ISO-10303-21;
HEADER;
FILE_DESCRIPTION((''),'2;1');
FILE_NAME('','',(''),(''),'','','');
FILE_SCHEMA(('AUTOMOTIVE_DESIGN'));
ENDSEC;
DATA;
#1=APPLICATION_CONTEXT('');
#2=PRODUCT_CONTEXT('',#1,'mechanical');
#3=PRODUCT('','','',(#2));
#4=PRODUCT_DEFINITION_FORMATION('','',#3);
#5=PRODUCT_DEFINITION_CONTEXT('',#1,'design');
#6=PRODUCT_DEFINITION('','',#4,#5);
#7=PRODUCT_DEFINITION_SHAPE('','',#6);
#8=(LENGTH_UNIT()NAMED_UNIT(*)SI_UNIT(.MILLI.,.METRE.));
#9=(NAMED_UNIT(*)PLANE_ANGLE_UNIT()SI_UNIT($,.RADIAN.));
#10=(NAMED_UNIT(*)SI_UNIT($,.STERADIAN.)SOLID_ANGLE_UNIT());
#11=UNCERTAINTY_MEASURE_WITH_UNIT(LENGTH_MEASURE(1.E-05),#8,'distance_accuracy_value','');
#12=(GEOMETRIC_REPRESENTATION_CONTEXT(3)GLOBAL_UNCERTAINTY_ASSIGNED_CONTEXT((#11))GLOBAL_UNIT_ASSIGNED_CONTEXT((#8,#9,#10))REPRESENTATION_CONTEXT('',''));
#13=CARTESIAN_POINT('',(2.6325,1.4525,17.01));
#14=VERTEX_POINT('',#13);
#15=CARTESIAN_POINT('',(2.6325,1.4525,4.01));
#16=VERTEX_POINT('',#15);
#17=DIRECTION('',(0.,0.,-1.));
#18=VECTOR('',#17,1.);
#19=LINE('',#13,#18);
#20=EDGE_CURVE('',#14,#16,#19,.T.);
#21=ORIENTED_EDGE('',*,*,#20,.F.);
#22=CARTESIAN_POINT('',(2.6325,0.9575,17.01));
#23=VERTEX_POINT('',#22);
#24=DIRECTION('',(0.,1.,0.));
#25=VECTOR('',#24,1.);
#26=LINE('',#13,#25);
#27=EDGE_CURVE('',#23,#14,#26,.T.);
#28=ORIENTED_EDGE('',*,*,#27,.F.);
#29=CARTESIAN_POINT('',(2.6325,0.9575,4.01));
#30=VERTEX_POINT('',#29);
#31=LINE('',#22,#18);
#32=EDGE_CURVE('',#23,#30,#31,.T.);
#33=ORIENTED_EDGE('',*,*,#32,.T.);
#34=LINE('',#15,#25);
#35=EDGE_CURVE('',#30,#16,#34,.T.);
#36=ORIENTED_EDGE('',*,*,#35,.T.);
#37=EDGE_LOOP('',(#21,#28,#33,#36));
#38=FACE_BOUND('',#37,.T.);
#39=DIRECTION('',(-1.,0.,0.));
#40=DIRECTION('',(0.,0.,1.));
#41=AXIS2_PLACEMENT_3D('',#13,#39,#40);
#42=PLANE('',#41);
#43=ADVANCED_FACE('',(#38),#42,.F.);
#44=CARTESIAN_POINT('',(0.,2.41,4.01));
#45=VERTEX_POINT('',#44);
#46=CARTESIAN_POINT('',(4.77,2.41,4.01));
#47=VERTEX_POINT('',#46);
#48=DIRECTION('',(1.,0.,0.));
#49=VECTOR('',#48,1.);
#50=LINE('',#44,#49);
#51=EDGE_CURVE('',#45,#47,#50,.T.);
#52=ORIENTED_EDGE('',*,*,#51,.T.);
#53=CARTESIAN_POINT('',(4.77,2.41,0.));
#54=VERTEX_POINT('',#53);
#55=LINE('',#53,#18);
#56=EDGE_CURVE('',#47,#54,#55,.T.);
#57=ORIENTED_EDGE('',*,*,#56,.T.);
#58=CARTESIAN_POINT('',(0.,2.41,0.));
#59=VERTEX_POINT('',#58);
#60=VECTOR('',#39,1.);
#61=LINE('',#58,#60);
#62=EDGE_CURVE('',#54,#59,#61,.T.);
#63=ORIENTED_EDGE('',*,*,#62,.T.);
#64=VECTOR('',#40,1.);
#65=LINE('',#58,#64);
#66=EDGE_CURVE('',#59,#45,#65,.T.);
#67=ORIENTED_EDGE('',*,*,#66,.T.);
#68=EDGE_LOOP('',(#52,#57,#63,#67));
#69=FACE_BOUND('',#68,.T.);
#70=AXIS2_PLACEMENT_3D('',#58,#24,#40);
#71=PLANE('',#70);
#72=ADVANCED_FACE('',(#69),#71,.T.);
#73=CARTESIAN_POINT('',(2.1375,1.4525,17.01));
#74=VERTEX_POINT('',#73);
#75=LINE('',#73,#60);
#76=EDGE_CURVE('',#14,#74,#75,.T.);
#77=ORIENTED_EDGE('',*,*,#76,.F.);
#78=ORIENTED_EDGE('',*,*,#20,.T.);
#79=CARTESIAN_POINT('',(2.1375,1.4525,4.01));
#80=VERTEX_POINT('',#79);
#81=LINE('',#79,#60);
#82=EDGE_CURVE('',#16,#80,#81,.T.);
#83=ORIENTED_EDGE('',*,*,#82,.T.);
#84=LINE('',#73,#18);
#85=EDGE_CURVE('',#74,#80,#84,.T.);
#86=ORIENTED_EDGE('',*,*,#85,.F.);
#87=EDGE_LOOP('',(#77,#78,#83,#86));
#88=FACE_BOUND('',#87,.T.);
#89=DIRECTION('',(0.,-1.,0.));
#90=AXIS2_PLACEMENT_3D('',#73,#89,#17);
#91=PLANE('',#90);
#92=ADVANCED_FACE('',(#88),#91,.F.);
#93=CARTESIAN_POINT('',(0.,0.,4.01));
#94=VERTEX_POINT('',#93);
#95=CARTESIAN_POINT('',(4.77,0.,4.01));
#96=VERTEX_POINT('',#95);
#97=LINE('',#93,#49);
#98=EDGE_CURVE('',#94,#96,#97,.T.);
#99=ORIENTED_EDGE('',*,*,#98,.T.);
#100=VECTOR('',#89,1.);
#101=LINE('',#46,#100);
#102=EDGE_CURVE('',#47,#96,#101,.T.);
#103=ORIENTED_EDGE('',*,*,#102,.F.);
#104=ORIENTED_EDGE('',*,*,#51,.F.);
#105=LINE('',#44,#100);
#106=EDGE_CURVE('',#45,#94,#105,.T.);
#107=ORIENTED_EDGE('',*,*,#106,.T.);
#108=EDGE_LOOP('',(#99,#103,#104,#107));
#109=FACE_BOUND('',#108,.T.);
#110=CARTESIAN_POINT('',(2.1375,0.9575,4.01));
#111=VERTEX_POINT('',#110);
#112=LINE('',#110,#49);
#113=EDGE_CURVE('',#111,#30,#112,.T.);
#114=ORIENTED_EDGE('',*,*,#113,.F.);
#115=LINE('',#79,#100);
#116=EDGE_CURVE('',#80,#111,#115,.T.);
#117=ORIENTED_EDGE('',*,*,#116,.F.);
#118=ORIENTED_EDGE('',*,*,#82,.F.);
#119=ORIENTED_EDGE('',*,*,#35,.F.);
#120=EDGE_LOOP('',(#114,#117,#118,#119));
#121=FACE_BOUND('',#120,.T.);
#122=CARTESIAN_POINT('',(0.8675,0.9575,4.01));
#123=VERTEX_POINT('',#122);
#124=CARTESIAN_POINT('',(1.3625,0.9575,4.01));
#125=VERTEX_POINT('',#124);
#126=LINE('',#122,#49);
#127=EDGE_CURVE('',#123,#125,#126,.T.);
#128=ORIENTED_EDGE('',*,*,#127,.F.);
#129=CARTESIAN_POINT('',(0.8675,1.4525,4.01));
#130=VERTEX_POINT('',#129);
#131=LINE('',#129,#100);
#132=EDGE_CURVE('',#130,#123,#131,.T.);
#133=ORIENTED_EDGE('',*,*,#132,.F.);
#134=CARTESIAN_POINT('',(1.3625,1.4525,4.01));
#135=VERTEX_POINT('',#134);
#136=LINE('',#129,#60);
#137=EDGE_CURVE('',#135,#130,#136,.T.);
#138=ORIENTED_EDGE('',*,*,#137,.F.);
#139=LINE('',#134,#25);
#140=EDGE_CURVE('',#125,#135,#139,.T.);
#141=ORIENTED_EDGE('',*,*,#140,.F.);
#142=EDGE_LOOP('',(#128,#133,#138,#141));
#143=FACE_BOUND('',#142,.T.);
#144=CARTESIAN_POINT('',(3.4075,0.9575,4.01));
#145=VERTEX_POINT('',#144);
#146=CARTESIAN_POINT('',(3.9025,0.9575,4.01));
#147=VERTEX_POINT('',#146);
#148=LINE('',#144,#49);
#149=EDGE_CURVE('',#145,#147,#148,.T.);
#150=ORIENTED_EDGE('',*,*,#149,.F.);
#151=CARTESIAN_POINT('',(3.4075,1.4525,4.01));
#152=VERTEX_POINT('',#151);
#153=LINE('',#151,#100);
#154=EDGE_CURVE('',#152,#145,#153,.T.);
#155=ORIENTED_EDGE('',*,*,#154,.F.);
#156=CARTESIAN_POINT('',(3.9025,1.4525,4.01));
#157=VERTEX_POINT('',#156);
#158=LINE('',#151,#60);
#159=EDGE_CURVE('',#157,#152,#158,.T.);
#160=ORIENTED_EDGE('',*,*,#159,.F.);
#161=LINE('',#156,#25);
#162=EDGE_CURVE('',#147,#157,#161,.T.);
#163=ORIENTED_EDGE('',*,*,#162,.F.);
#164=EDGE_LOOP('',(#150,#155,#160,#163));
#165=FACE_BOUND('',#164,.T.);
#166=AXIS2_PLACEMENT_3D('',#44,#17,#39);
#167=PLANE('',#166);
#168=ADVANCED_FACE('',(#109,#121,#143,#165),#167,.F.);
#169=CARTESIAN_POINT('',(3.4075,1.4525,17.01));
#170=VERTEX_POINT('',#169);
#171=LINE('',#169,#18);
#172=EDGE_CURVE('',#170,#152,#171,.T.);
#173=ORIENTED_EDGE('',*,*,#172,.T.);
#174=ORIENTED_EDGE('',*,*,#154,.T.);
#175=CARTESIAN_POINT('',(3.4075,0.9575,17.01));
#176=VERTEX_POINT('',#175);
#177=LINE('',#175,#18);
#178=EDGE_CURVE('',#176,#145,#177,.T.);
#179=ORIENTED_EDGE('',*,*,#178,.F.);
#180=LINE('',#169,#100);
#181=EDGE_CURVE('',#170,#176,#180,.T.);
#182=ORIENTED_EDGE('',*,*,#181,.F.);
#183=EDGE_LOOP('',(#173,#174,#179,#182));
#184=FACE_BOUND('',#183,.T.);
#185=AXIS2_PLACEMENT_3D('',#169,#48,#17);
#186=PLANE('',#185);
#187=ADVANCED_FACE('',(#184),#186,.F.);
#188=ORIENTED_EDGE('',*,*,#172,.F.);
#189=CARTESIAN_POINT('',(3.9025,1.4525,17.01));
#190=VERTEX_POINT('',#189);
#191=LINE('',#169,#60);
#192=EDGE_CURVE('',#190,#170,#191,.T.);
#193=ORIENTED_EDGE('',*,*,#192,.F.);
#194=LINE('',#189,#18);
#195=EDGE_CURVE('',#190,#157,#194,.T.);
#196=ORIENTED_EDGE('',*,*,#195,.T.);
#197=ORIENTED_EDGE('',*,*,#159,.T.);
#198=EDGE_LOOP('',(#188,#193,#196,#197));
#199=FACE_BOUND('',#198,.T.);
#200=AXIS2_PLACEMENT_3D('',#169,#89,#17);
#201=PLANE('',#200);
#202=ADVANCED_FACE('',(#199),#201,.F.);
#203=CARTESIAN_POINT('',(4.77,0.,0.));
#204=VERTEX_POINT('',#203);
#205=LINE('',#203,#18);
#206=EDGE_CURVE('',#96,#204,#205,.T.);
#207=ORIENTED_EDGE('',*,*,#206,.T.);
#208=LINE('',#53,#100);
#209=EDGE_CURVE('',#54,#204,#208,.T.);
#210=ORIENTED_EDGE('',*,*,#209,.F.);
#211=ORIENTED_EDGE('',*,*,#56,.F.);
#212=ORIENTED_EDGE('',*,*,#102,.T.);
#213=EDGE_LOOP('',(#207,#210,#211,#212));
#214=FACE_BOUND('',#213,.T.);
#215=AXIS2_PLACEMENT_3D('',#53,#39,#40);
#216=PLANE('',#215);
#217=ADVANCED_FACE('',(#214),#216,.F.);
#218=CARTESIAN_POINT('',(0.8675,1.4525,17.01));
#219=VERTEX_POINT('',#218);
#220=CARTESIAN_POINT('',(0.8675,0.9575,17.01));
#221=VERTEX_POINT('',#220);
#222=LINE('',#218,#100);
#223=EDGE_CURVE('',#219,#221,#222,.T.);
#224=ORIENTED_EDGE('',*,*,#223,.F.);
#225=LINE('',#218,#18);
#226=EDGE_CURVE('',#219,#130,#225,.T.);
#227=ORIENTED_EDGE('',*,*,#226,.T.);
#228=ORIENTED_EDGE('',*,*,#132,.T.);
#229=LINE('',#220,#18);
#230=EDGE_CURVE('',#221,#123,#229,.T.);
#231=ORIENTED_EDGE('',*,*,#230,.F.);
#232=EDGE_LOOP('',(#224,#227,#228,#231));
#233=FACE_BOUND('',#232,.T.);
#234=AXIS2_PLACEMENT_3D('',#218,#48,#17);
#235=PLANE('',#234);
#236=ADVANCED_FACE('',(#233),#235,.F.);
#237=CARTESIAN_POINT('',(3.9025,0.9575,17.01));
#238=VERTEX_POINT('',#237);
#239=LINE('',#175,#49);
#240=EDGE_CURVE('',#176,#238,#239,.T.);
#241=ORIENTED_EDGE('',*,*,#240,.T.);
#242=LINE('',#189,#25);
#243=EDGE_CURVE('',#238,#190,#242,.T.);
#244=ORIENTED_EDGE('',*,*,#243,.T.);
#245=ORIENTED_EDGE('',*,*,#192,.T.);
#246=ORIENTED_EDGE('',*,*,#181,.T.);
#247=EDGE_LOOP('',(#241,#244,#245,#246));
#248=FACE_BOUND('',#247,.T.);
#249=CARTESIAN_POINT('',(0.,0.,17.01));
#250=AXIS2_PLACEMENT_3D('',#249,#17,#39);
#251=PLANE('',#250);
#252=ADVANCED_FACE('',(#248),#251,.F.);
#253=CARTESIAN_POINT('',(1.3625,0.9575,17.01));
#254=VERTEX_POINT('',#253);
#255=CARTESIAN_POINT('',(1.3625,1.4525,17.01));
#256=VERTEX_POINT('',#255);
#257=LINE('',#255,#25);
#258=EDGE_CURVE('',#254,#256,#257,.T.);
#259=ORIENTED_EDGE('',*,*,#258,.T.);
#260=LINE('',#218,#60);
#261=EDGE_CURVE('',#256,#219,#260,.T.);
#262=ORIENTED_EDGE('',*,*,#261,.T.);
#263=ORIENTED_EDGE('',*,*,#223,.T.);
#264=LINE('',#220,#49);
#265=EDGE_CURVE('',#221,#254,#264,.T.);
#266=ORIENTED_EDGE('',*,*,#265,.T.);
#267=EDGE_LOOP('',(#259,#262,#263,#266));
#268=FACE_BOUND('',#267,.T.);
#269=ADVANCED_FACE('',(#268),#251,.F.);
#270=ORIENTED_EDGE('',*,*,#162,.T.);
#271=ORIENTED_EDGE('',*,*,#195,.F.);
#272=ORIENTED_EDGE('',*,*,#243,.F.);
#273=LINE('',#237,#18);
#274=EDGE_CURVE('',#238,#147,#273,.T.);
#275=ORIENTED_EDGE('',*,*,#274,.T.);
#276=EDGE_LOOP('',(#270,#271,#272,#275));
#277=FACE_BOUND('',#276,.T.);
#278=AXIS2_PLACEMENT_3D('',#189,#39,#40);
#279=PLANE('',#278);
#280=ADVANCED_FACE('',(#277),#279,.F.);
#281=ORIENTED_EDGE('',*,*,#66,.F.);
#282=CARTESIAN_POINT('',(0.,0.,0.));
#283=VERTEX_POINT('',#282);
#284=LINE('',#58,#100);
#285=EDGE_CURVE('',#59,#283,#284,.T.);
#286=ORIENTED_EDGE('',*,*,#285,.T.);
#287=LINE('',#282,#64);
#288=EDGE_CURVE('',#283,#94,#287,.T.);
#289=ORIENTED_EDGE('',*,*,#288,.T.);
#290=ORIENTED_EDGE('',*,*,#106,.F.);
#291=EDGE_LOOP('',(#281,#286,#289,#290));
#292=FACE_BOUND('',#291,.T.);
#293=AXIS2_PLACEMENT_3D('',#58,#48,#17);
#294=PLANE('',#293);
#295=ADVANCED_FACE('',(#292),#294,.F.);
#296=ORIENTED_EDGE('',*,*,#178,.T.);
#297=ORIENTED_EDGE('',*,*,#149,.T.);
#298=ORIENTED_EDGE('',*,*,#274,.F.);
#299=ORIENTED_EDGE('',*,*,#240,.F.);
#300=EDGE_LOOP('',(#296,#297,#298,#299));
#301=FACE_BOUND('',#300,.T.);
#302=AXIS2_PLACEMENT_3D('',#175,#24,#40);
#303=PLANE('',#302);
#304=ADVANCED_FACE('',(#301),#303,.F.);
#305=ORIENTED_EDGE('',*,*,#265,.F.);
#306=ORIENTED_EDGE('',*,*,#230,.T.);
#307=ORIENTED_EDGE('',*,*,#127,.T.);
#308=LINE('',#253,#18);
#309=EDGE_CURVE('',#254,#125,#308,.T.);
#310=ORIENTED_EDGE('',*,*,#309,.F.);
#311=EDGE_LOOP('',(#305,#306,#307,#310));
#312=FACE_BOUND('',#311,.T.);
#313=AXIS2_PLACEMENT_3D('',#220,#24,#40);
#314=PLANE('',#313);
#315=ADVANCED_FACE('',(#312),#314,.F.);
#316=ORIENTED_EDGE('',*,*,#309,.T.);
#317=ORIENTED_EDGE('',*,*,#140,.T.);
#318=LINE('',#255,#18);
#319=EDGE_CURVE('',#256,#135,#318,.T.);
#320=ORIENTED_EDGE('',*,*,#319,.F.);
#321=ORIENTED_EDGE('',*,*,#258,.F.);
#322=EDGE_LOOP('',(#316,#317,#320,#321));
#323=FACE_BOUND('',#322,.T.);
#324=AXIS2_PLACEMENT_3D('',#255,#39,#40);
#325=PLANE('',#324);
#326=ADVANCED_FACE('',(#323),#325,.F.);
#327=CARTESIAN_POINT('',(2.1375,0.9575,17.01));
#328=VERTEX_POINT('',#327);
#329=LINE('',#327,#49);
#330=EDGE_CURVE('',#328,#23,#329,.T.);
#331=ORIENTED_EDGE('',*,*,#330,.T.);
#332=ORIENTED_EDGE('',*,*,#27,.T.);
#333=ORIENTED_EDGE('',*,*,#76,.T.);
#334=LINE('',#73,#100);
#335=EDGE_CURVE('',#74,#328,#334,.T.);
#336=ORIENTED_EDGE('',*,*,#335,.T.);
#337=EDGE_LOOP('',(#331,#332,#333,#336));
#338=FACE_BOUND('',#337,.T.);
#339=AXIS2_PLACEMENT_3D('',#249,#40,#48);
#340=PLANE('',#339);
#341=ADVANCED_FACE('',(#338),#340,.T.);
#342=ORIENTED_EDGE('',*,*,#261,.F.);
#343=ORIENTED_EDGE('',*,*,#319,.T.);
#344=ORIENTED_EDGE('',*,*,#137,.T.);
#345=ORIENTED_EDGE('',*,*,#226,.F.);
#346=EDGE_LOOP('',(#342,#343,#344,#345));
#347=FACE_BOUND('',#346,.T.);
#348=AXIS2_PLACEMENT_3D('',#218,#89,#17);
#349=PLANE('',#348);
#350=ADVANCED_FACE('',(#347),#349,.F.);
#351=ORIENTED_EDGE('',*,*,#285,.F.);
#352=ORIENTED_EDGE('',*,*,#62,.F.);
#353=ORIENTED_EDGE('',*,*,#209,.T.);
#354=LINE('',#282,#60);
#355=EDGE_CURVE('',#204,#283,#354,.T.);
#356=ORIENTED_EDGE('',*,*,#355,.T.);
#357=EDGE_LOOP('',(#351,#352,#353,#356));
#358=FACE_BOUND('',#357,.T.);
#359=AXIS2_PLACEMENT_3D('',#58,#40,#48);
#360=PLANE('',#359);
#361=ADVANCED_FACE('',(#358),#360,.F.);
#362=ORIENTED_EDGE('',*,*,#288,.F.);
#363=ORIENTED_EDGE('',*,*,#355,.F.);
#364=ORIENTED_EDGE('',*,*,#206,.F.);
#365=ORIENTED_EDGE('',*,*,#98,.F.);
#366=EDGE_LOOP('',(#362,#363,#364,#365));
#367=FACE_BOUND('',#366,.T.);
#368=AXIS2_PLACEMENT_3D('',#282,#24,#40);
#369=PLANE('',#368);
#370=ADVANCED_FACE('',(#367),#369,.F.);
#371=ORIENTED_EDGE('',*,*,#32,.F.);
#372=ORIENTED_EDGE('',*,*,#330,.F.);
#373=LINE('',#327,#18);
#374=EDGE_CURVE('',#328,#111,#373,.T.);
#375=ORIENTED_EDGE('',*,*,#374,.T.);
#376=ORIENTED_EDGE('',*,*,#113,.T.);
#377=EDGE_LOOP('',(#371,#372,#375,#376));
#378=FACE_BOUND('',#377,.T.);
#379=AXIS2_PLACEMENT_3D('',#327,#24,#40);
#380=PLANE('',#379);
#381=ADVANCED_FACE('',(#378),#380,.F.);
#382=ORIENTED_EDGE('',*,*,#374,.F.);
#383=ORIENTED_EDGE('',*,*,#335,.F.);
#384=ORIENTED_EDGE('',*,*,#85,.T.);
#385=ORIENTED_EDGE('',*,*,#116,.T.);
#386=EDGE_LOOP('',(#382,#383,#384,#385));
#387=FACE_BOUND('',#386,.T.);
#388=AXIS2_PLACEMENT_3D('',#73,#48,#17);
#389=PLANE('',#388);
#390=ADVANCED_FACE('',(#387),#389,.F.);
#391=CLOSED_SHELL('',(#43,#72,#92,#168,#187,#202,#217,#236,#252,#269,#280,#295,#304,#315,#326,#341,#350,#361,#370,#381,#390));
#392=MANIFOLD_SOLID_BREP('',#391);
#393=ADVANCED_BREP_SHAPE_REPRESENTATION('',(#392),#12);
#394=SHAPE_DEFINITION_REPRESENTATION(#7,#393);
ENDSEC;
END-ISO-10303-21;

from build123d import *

# Parameters (mm, degrees)
SKETCH1_W           = 4.77
SKETCH1_H           = 4.01
BOSS_EXTRUDE1_DEPTH = 2.41
SKETCH3_W           = 0.495
SKETCH3_H           = 0.495
BOSS_EXTRUDE2_DEPTH = 13


with BuildPart() as part:
    # Sketch1 → Boss-Extrude1 (new body)
    with BuildSketch(Plane(origin=(0, 0, 0), x_dir=(1, 0, 0), z_dir=(0, 1, 0))):
        with Locations((2.385, -2.005)):
            Rectangle(SKETCH1_W, SKETCH1_H)
    extrude(amount=BOSS_EXTRUDE1_DEPTH)

    # Sketch3 → Boss-Extrude2 (add)
    with BuildSketch(Plane.XY.offset(4.01)):
        with Locations((3.655, 1.205)):
            Rectangle(SKETCH3_W, SKETCH3_H)
        with Locations((2.385, 1.205)):
            Rectangle(SKETCH3_W, SKETCH3_H)
        with Locations((1.115, 1.205)):
            Rectangle(SKETCH3_W, SKETCH3_H)
    extrude(amount=BOSS_EXTRUDE2_DEPTH)


solid = part.part
